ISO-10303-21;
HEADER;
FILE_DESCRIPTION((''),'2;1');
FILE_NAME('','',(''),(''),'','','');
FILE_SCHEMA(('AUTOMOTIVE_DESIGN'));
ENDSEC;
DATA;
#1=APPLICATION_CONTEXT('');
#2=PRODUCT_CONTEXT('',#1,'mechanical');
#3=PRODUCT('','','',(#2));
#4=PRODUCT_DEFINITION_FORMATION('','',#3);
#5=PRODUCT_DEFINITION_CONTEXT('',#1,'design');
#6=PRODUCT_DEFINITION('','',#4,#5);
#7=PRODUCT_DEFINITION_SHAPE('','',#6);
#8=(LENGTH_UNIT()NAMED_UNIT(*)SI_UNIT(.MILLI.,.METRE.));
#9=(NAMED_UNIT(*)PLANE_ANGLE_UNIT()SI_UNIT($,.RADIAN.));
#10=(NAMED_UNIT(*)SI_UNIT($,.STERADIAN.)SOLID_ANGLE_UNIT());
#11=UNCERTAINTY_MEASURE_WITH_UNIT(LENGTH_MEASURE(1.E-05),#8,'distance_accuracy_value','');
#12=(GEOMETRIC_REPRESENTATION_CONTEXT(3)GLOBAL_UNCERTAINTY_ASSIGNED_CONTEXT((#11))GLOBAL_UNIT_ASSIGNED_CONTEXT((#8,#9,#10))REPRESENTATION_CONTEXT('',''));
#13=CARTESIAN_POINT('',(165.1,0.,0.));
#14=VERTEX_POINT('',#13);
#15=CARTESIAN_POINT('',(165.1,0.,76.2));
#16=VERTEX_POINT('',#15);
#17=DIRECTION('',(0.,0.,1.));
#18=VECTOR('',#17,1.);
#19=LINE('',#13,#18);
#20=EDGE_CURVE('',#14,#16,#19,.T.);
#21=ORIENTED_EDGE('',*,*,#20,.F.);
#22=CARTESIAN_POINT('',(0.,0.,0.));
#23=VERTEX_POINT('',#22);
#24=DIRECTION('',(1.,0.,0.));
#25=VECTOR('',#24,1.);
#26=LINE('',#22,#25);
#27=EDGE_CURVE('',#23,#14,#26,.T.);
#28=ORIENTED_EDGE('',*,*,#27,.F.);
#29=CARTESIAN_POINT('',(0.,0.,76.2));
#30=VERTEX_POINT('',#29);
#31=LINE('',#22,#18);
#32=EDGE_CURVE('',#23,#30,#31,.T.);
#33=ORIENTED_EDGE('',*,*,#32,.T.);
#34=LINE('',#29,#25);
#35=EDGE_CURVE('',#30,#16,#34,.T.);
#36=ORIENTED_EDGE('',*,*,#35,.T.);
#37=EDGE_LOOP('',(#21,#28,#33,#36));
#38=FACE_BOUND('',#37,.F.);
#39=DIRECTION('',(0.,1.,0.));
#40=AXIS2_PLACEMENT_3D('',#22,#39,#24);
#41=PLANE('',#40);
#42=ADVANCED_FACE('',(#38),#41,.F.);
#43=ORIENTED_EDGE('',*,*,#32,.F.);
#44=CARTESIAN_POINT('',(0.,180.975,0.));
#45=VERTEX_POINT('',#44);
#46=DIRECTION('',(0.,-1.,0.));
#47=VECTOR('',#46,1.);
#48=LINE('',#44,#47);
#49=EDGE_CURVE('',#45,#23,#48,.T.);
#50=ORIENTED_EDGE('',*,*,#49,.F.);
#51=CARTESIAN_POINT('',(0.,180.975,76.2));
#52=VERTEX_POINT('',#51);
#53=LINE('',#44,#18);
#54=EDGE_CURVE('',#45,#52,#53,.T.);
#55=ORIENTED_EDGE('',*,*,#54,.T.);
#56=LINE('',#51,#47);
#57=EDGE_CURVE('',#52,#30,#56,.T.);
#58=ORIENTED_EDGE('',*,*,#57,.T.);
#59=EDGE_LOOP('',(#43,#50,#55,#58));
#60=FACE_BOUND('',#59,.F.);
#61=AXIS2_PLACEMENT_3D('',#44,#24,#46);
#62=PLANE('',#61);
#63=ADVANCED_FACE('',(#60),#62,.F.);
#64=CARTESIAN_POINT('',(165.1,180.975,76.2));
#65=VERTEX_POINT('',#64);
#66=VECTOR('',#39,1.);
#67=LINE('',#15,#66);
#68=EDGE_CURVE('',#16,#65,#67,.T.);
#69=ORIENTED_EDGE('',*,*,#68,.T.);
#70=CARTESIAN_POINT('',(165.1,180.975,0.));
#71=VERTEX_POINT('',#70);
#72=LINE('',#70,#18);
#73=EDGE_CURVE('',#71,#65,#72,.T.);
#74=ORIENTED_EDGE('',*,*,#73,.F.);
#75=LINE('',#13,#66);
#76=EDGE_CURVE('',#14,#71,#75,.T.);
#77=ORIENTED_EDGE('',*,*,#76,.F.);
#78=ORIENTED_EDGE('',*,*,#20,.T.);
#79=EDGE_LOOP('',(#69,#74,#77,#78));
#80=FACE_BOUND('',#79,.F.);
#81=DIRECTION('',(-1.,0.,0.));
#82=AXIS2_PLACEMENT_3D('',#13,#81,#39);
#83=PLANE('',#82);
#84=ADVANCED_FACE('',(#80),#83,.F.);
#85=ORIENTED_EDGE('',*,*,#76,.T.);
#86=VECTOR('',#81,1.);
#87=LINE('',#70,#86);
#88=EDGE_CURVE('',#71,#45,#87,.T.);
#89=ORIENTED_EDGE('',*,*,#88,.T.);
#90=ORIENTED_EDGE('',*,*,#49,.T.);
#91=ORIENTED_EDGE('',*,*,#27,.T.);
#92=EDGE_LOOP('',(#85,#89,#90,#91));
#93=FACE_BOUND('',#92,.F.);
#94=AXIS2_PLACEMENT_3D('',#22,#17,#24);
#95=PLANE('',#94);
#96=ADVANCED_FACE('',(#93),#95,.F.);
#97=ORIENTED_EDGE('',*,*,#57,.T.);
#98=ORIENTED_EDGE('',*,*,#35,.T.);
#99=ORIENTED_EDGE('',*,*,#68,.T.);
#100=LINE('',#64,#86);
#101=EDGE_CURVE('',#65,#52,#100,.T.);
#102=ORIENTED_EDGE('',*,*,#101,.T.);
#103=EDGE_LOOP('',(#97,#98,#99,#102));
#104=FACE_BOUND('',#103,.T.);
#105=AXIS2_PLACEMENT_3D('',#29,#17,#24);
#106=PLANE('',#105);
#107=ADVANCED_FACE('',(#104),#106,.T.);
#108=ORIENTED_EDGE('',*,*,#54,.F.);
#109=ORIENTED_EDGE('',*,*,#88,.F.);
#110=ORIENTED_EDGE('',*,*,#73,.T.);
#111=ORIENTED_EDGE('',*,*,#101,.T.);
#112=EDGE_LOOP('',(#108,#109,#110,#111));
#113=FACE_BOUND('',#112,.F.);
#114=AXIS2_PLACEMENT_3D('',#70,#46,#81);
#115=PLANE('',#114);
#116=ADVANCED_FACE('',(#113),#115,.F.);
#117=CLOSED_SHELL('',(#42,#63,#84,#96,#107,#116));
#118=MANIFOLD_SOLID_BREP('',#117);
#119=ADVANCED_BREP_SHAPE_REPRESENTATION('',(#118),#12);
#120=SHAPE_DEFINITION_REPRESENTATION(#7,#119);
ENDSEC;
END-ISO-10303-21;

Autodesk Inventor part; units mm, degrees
ref_plane "YZ Plane" through (0, 0, 0) normal (1, 0, 0) x (0, 1, 0)
ref_plane "XZ Plane" through (0, 0, 0) normal (0, 1, 0) x (-1, 0, 0)
ref_plane "XY Plane" through (0, 0, 0) normal (0, 0, 1) x (1, 0, 0)
sketch "Sketch1" plane through (0, 0, 0) normal (0, 0, 1) x (1, 0, 0)
  line L0 (0, 0) -> (165.1, 0)
  line L1 (165.1, 0) -> (165.1, 180.975)
  line L2 (165.1, 180.975) -> (0, 180.975)
  line L3 (0, 180.975) -> (0, 0)
  dimension "d0" = 165.1
  dimension "d1" = 180.975
extrude "Extrusion1" add sketch "Sketch1" along normal blind 76.2
properties part number "Battery"
